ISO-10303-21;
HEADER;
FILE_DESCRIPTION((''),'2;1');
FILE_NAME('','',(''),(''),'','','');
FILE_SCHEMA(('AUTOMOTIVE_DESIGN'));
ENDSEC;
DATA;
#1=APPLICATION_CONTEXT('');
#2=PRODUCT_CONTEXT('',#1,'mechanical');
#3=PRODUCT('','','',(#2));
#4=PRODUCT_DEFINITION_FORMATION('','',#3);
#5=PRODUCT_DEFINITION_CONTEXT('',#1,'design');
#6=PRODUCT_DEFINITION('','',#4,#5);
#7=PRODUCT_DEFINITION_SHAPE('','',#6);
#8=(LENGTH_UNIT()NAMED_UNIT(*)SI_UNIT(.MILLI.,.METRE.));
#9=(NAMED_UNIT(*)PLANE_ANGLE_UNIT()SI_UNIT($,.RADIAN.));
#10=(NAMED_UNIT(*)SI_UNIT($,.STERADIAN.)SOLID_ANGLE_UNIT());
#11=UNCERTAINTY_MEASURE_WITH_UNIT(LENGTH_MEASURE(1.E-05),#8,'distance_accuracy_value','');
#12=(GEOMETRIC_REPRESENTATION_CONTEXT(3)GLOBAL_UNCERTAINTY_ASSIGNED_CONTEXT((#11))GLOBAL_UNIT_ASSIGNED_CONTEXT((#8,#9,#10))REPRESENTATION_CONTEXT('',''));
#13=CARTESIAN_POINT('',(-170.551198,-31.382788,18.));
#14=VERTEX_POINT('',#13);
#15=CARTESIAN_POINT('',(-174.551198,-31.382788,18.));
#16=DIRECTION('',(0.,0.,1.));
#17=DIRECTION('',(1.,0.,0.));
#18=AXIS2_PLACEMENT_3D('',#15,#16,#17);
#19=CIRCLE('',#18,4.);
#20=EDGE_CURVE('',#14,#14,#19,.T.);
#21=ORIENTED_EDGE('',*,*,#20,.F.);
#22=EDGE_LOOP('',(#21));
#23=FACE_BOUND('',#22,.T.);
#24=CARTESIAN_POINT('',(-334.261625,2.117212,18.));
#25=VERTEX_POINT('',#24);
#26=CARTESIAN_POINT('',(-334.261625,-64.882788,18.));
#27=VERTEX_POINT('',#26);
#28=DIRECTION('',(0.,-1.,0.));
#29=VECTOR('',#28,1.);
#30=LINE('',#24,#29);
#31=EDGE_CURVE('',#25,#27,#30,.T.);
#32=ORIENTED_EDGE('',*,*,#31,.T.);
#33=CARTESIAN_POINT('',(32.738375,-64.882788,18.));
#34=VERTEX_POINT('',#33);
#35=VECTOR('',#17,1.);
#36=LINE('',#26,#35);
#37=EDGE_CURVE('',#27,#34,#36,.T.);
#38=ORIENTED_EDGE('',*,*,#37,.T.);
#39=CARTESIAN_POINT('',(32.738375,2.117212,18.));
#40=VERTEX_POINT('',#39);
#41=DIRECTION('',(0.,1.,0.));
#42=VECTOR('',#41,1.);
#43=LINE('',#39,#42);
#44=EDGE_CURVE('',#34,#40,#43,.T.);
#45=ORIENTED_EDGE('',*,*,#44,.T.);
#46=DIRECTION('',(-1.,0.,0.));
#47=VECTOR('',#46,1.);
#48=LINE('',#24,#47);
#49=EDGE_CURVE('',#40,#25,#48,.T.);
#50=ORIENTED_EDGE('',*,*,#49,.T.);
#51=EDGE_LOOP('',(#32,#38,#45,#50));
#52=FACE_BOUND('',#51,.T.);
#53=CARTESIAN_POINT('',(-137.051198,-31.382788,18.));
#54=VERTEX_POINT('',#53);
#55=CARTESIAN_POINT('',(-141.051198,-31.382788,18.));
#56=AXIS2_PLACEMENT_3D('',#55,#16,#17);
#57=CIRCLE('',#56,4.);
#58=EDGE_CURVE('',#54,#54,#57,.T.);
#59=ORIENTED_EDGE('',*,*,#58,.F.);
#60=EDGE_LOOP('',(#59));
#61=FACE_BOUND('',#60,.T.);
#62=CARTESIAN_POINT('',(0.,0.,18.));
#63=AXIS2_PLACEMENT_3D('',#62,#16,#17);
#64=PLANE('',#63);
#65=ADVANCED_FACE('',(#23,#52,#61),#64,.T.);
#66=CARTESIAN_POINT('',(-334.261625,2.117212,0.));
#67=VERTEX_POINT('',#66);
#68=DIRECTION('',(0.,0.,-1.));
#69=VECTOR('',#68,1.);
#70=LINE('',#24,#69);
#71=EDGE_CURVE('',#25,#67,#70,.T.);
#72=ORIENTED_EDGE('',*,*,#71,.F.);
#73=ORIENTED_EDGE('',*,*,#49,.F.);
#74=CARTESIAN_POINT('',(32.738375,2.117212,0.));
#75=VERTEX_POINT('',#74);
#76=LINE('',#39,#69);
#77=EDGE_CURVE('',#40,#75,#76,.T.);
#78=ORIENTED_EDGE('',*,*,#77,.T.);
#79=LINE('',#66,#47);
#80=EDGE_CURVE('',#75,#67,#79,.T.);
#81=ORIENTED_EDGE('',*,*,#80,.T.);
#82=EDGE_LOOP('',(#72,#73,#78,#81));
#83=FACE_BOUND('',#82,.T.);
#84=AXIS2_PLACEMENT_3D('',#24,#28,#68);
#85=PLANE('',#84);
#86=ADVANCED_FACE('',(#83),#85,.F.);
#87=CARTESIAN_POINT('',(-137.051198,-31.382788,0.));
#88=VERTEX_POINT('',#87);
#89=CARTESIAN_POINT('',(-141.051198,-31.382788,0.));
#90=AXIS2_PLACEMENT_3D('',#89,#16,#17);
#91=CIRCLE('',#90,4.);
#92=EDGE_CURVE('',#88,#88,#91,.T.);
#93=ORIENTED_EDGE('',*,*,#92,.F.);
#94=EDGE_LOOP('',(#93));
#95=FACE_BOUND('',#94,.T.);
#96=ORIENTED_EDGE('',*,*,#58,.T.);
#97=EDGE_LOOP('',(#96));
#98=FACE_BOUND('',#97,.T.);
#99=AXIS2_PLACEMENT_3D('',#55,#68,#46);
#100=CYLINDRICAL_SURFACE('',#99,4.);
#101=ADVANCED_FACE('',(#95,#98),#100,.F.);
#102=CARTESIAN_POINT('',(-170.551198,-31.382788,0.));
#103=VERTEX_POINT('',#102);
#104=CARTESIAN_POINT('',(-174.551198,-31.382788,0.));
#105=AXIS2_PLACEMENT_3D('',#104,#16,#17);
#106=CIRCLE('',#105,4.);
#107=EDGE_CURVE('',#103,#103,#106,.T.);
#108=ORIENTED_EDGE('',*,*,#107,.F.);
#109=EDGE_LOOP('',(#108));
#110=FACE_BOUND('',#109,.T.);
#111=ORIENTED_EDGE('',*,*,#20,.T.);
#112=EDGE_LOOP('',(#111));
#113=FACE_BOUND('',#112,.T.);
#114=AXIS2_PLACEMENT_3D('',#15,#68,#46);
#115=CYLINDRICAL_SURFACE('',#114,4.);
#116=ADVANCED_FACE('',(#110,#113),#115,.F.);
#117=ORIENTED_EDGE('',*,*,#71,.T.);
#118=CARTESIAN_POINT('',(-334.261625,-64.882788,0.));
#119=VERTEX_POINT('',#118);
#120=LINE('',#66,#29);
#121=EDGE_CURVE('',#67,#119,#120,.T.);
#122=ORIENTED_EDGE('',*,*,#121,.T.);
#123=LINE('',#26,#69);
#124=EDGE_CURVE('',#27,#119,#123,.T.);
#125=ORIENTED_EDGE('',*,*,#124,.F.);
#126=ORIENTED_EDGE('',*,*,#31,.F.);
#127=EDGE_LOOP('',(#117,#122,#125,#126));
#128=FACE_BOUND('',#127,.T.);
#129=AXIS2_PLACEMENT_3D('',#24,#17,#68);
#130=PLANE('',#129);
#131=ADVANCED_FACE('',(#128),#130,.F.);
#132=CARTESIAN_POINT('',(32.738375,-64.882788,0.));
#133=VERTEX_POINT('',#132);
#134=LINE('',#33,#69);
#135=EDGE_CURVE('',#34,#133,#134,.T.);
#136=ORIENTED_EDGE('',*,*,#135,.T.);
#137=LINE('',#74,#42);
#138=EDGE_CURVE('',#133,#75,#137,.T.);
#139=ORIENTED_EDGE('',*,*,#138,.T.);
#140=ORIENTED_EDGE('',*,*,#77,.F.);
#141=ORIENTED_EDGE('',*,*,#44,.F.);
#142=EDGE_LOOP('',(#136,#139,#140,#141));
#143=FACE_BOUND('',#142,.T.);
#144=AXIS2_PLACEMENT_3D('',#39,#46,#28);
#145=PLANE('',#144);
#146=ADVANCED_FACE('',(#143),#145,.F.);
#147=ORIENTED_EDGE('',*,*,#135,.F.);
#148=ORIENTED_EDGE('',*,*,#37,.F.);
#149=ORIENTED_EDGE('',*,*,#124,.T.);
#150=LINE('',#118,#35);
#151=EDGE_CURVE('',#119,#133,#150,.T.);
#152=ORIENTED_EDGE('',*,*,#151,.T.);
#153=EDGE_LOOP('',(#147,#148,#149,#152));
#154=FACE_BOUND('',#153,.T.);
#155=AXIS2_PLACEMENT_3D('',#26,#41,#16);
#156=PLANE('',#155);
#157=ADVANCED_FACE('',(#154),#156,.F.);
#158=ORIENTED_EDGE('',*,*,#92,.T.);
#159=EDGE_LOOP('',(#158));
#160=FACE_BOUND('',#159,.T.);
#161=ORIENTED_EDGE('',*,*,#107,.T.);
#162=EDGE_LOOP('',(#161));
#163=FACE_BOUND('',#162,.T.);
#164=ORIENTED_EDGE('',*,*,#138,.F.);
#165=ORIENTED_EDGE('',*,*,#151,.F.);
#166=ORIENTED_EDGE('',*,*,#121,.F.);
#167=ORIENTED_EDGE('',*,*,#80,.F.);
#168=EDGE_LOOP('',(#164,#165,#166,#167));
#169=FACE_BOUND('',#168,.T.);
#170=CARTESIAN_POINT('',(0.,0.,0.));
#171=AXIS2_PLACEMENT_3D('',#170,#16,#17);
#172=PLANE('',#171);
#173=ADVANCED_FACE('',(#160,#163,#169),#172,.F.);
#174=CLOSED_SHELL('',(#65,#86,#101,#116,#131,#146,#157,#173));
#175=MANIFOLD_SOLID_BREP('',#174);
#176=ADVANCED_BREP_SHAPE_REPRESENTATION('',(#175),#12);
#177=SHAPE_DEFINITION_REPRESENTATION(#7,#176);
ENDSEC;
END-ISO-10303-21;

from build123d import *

# Parameters (mm, degrees)
SKETCH1_W           = 367
SKETCH1_H           = 67
SKETCH1_R           = 4
BOSS_EXTRUDE1_DEPTH = 18


with BuildPart() as part:
    # Sketch1 → Boss-Extrude1 (new body)
    with BuildSketch(Plane.XY):
        with Locations((-150.761625266, -31.382788069)):
            Rectangle(SKETCH1_W, SKETCH1_H)
        with Locations((-174.551197831, -31.382788069)):
            Circle(SKETCH1_R, mode=Mode.SUBTRACT)
        with Locations((-141.051197831, -31.382788069)):
            Circle(SKETCH1_R, mode=Mode.SUBTRACT)
    extrude(amount=BOSS_EXTRUDE1_DEPTH)


solid = part.part
